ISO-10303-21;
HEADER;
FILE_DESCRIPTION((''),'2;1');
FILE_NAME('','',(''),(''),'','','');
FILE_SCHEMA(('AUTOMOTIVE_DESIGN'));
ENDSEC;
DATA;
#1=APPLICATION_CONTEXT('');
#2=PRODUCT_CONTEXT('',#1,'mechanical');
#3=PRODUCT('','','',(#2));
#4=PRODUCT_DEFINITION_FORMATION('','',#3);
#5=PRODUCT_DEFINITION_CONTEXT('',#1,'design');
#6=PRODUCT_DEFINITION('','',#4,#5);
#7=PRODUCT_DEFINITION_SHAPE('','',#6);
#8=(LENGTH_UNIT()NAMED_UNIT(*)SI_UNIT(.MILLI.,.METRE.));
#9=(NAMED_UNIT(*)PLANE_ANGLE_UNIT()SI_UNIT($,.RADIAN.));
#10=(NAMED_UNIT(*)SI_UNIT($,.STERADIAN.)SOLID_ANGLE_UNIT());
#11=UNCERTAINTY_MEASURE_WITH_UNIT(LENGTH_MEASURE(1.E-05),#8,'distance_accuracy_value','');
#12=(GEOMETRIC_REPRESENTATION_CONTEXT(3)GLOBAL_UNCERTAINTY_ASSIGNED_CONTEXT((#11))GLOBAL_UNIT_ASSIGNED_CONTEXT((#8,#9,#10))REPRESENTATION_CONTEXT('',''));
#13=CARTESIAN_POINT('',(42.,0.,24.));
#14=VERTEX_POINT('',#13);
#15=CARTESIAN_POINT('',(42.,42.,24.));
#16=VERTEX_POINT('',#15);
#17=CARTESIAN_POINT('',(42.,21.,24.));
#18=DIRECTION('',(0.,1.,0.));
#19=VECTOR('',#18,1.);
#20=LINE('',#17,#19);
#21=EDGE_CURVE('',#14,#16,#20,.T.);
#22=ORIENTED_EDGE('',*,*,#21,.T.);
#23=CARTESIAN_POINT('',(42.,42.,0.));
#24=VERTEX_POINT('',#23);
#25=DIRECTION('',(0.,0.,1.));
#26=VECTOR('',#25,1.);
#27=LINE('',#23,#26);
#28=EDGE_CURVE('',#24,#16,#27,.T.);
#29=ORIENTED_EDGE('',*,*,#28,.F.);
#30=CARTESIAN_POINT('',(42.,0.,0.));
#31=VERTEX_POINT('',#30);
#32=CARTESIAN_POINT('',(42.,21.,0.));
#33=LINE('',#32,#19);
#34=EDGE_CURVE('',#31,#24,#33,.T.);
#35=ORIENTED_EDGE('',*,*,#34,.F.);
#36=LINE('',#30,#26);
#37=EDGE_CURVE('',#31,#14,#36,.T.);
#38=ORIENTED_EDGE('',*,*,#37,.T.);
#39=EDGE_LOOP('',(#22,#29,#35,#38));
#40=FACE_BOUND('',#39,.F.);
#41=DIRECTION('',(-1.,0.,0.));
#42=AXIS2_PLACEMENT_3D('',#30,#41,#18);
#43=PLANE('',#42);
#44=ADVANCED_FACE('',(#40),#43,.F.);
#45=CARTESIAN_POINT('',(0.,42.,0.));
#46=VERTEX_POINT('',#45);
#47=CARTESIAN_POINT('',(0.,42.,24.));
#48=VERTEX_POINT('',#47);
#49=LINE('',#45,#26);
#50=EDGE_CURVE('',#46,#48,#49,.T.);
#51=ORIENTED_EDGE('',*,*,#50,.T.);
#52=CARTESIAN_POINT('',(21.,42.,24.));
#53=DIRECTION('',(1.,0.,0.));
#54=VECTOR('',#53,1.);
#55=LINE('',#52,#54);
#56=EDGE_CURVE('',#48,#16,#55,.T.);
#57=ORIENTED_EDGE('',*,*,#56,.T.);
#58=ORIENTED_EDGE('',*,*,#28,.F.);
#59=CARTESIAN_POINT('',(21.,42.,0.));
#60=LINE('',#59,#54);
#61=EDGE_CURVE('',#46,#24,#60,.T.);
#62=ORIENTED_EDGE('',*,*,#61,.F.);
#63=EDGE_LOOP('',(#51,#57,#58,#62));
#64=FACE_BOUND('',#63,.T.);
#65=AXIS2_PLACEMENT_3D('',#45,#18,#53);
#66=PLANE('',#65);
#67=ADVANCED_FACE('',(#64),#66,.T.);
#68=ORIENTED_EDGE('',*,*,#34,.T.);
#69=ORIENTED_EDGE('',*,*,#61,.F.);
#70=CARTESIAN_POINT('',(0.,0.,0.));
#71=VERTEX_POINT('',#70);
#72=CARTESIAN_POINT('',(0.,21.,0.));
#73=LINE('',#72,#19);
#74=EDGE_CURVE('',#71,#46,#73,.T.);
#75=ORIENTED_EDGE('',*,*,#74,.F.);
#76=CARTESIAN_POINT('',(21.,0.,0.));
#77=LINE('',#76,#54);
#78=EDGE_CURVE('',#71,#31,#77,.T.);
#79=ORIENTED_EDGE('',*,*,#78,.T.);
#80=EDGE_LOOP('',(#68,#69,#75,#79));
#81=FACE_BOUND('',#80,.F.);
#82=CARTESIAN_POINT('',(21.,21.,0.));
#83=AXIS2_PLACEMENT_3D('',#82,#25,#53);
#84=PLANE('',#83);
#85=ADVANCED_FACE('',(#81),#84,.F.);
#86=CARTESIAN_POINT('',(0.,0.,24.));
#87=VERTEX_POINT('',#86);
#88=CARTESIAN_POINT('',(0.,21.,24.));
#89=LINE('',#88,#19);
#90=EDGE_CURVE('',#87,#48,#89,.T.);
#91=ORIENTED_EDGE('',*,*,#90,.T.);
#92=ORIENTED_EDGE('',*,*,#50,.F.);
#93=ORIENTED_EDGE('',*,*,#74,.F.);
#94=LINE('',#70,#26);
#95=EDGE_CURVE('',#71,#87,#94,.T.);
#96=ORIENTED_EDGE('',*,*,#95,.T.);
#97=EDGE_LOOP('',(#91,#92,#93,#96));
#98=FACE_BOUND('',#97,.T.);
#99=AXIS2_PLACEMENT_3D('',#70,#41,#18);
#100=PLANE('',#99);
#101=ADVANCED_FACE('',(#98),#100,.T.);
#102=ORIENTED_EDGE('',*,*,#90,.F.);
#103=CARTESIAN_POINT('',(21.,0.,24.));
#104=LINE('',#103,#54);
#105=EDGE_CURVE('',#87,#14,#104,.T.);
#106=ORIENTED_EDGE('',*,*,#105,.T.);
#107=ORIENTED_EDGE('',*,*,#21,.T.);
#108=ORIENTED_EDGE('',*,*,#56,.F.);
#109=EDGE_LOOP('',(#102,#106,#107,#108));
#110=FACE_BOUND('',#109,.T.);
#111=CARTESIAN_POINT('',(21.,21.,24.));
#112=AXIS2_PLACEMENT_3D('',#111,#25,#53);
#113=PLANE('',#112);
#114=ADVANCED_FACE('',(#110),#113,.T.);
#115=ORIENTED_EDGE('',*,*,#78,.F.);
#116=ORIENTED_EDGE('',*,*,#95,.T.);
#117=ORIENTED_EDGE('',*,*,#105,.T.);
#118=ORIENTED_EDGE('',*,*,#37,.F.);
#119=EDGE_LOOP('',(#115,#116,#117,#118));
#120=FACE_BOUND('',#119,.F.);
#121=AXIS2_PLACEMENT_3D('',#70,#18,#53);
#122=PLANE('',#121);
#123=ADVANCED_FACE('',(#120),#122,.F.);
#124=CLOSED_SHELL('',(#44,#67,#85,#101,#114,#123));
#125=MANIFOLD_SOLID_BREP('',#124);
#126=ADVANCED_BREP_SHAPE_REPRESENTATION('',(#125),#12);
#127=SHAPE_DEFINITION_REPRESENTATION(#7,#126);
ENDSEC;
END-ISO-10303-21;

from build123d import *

# Parameters (mm, degrees)
BOX_W     = 42
BOX_H     = 42
BOX_DEPTH = 24


with BuildPart() as part:
    # Box → Box (new body)
    with BuildSketch(Plane.XY):
        with Locations((21, 21)):
            Rectangle(BOX_W, BOX_H)
    extrude(amount=BOX_DEPTH)


solid = part.part
